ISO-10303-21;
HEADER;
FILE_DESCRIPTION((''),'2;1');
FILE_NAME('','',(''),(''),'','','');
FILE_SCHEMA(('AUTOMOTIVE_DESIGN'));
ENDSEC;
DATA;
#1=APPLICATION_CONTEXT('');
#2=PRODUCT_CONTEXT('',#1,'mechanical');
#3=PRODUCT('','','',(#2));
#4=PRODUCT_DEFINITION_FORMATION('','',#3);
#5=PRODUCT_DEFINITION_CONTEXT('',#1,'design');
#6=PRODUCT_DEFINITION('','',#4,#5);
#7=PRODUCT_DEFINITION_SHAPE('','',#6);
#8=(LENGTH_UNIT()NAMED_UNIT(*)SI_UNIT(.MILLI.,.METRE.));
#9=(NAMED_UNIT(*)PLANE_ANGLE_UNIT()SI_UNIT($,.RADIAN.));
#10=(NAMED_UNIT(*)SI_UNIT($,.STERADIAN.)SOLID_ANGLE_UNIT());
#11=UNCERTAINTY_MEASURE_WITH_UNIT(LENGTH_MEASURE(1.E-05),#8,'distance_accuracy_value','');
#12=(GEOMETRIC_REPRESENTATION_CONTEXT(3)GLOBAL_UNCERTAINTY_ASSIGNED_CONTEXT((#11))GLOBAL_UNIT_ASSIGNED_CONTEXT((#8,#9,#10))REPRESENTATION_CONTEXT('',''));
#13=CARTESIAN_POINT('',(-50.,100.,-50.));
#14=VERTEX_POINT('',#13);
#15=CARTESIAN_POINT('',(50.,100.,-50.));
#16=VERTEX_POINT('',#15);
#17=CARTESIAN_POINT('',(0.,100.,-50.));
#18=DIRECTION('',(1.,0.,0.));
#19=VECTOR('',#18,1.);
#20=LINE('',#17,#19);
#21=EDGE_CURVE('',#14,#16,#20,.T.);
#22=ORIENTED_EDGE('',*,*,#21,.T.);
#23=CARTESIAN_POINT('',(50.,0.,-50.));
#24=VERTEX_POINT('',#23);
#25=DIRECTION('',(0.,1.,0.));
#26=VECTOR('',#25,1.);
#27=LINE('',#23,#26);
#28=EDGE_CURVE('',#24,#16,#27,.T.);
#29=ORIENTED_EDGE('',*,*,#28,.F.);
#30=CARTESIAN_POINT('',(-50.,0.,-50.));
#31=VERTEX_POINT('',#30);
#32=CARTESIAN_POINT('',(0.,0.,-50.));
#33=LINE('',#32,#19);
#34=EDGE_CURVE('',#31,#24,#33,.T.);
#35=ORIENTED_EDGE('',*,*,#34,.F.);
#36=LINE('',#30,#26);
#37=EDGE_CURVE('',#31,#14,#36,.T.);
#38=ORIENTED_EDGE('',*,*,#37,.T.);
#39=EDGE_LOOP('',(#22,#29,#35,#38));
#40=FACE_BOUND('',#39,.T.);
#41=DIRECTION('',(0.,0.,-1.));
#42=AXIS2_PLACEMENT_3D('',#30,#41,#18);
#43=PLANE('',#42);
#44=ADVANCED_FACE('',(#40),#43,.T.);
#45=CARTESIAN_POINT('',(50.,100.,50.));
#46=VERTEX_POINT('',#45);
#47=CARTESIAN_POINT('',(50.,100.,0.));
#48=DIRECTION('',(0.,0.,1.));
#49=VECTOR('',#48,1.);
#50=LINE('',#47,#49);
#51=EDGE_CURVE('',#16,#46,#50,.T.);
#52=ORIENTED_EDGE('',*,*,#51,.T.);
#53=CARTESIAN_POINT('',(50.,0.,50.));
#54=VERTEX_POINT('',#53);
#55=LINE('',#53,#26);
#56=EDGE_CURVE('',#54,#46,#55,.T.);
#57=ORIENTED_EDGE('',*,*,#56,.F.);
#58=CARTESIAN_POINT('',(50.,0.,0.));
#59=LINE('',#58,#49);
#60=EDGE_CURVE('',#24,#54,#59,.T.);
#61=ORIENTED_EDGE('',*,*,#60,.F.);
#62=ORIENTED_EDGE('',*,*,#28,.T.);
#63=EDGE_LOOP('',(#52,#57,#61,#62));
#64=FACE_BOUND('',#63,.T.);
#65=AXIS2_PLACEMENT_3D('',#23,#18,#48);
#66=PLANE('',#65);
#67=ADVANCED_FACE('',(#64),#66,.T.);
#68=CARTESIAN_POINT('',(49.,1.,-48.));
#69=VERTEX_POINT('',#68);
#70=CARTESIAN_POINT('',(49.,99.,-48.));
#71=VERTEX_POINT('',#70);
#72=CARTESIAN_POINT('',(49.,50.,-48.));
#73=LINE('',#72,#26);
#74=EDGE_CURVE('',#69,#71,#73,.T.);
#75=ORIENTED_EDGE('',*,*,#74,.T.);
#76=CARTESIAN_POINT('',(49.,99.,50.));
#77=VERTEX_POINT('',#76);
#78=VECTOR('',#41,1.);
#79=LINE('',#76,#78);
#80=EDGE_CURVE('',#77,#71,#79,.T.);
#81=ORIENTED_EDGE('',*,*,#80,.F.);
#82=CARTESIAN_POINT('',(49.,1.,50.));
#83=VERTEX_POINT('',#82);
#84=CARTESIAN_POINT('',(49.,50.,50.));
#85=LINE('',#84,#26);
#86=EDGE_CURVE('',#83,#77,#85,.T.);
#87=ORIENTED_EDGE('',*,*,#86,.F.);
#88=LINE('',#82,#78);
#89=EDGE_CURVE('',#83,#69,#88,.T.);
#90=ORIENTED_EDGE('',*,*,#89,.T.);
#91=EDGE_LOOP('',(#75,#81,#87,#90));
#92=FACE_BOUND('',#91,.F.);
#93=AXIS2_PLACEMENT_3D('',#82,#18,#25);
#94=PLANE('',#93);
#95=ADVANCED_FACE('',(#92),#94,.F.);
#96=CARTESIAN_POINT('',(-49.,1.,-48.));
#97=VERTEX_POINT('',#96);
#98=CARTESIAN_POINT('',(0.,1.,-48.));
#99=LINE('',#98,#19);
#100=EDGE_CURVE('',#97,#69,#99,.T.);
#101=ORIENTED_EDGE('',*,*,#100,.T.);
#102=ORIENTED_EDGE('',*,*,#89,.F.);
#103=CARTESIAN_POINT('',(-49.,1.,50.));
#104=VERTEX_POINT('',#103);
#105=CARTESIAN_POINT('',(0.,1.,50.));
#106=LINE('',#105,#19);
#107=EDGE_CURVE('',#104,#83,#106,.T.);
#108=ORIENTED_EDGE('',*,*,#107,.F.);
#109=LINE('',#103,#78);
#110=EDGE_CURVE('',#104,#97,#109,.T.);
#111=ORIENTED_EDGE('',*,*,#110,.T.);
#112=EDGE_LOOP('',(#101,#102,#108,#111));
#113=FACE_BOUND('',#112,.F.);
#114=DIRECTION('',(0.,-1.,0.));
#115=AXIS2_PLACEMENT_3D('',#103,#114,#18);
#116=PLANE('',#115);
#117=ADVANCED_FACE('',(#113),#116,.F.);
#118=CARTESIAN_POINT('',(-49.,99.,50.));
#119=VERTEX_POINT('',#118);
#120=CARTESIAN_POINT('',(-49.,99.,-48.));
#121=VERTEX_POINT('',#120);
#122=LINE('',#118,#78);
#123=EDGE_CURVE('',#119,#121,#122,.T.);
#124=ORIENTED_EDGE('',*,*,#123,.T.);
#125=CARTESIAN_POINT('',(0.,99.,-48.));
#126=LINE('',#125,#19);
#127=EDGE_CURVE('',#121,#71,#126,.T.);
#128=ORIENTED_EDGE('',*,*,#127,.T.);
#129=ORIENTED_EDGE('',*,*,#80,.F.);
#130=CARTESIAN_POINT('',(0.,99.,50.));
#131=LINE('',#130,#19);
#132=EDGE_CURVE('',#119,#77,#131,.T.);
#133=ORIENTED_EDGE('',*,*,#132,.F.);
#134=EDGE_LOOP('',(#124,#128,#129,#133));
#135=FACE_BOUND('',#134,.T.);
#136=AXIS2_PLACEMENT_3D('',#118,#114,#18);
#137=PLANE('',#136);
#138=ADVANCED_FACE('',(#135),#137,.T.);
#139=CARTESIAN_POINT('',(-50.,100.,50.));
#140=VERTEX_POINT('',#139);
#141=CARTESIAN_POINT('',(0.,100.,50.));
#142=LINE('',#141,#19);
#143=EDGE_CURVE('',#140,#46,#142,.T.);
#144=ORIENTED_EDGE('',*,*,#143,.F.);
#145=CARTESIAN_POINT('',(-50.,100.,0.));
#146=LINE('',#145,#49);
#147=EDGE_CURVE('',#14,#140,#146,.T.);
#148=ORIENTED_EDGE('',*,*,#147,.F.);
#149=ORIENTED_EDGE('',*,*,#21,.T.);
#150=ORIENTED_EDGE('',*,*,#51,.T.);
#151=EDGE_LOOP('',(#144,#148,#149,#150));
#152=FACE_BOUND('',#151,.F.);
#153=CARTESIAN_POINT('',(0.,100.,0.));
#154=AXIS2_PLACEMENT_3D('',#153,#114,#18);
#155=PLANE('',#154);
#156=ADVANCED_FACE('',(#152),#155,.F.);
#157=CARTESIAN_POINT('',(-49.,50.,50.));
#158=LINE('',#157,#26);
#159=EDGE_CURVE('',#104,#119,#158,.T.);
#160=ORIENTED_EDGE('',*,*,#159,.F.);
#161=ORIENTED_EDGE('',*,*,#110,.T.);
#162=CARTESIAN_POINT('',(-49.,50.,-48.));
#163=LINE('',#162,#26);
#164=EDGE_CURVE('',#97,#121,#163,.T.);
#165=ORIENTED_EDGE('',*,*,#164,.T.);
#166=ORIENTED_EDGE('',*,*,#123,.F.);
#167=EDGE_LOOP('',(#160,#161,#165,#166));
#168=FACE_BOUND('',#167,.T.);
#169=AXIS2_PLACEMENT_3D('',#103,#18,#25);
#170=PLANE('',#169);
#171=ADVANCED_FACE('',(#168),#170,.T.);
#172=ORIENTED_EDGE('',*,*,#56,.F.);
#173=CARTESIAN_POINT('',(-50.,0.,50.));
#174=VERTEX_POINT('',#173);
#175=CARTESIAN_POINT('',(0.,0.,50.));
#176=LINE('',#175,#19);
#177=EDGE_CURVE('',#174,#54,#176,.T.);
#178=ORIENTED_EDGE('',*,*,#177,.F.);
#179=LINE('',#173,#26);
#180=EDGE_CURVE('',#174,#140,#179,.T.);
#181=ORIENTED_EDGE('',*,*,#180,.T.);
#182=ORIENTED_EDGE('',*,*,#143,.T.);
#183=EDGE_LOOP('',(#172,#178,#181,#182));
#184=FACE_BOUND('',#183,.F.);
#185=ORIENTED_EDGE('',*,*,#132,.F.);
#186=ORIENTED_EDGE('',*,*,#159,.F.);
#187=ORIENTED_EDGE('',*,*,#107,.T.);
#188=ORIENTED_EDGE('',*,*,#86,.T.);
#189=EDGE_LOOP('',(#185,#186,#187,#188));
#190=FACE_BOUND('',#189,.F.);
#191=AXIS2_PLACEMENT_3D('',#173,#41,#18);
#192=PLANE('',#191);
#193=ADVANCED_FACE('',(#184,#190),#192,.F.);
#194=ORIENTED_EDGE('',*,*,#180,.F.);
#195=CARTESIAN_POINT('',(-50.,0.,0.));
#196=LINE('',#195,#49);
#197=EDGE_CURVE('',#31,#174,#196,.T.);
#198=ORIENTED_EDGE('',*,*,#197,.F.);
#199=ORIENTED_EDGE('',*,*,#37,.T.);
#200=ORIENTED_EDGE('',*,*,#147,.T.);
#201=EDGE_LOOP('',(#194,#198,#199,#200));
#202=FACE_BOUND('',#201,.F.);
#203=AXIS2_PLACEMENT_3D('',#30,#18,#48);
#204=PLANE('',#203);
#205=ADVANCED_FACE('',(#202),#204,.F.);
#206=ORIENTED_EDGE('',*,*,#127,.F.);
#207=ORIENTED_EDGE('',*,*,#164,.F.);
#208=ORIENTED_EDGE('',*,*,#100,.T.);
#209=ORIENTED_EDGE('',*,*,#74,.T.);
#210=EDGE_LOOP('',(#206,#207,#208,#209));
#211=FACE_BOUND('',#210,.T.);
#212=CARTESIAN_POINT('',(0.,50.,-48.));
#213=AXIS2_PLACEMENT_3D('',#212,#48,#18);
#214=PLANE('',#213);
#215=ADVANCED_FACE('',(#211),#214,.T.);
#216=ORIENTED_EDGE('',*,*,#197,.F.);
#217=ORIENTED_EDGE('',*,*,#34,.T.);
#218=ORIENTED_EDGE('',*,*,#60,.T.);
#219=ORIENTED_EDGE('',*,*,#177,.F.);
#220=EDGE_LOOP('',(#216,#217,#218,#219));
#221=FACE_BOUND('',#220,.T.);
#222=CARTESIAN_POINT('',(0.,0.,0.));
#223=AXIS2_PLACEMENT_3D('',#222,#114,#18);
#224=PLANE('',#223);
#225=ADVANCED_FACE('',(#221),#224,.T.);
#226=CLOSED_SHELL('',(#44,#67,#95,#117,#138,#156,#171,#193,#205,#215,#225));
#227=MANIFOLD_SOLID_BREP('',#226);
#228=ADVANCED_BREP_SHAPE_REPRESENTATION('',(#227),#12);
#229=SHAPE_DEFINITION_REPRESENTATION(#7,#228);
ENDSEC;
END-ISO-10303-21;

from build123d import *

# Parameters (mm, degrees)
F0_W     = 100
F0_H     = 100
F1_DEPTH = 100
F2_W     = 98
F2_H     = 98
F3_DEPTH = 98


with BuildPart() as f1:
    # F0 (on Front) → F1 (new body)
    with BuildSketch(Plane.XZ):
        Rectangle(F0_W, F0_H)
    extrude(amount=-F1_DEPTH)

    # F2 (on face) → F3 (cut)
    with BuildSketch(Plane.XY.offset(50)):
        with Locations((0, 50)):
            Rectangle(F2_W, F2_H)
    extrude(amount=-F3_DEPTH, mode=Mode.SUBTRACT)


solid = f1.part
